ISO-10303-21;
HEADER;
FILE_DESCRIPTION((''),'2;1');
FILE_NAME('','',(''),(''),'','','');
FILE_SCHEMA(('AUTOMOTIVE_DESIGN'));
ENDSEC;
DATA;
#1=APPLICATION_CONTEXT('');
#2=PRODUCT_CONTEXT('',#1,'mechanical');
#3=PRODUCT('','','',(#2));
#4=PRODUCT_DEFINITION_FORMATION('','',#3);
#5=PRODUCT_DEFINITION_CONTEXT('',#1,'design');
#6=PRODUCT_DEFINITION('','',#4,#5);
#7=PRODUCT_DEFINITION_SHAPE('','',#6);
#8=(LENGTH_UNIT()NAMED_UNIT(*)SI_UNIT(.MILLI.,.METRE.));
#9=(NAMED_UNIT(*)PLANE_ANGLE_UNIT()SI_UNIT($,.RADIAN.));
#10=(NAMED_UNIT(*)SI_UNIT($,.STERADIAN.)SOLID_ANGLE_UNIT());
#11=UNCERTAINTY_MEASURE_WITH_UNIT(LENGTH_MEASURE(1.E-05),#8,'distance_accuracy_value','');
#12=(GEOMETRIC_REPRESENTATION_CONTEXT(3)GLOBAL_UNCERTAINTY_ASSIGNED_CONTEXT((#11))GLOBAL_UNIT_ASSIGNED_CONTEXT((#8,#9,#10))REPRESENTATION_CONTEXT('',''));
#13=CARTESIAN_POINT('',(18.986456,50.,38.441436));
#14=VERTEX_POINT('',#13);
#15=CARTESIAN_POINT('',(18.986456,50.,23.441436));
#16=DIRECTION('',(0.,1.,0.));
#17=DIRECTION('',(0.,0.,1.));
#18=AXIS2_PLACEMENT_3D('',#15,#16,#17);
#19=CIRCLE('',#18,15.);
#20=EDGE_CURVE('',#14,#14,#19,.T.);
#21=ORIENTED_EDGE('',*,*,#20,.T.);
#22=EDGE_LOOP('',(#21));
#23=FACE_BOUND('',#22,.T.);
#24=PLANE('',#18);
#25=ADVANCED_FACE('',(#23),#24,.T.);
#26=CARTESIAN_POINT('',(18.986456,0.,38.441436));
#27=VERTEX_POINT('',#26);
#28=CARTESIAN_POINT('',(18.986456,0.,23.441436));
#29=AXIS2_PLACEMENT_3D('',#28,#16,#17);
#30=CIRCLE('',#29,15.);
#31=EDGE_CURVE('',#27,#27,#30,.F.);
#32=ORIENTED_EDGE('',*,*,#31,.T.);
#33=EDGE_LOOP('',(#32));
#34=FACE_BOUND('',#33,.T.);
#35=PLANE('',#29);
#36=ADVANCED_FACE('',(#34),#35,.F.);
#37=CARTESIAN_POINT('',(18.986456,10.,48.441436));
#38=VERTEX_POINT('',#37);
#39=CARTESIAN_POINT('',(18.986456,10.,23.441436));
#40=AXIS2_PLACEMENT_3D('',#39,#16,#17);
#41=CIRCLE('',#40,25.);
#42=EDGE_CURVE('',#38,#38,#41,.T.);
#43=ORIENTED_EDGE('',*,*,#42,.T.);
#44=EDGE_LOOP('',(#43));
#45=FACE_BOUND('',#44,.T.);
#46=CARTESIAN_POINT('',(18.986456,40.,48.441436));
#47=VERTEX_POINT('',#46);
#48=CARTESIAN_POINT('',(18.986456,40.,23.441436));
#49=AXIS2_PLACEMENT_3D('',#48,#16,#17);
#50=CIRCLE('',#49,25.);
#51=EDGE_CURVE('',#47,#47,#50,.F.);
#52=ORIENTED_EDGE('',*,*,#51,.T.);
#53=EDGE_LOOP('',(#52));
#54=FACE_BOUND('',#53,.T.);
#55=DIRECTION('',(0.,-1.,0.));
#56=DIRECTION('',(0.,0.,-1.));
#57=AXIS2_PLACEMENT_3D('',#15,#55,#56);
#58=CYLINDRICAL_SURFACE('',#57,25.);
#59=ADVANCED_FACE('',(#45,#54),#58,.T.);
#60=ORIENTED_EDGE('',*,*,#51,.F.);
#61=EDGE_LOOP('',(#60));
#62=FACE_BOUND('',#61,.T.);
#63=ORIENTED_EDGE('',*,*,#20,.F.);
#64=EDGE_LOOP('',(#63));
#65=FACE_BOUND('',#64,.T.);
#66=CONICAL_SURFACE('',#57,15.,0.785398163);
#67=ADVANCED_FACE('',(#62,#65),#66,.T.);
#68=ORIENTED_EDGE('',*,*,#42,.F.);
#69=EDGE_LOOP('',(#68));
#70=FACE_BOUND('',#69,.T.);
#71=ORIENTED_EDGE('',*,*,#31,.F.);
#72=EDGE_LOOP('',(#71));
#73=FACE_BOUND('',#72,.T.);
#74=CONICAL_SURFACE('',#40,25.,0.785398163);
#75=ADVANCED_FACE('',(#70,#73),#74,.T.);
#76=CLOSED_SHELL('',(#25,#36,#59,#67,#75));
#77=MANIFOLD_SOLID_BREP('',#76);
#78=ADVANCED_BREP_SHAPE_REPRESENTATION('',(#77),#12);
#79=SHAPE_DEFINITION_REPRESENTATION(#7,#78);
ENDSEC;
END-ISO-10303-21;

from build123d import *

# Parameters (mm, degrees)
SKETCH1_R           = 25
BOSS_EXTRUDE4_DEPTH = 50
CHAMFER2_SIZE       = 10
CHAMFER3_SIZE       = 10


with BuildPart() as part:
    # Sketch1 → Boss-Extrude4 (new body)
    with BuildSketch(Plane(origin=(0, 0, 0), x_dir=(1, 0, 0), z_dir=(0, 1, 0))):
        with Locations(Location((18.986456029, -23.441436424, 0), (0, 0, 270))):
            Circle(SKETCH1_R)
    extrude(amount=BOSS_EXTRUDE4_DEPTH)

    # Chamfer2
    chamfer2_edges = [part.edges().sort_by_distance(p)[0] for p in [
        (18.986456029, 50, -1.558563576),
    ]]
    chamfer(chamfer2_edges, length=CHAMFER2_SIZE)

    # Chamfer3
    chamfer3_edges = [part.edges().sort_by_distance(p)[0] for p in [
        (18.986456029, 0, -1.558563576),
    ]]
    chamfer(chamfer3_edges, length=CHAMFER3_SIZE)


solid = part.part
